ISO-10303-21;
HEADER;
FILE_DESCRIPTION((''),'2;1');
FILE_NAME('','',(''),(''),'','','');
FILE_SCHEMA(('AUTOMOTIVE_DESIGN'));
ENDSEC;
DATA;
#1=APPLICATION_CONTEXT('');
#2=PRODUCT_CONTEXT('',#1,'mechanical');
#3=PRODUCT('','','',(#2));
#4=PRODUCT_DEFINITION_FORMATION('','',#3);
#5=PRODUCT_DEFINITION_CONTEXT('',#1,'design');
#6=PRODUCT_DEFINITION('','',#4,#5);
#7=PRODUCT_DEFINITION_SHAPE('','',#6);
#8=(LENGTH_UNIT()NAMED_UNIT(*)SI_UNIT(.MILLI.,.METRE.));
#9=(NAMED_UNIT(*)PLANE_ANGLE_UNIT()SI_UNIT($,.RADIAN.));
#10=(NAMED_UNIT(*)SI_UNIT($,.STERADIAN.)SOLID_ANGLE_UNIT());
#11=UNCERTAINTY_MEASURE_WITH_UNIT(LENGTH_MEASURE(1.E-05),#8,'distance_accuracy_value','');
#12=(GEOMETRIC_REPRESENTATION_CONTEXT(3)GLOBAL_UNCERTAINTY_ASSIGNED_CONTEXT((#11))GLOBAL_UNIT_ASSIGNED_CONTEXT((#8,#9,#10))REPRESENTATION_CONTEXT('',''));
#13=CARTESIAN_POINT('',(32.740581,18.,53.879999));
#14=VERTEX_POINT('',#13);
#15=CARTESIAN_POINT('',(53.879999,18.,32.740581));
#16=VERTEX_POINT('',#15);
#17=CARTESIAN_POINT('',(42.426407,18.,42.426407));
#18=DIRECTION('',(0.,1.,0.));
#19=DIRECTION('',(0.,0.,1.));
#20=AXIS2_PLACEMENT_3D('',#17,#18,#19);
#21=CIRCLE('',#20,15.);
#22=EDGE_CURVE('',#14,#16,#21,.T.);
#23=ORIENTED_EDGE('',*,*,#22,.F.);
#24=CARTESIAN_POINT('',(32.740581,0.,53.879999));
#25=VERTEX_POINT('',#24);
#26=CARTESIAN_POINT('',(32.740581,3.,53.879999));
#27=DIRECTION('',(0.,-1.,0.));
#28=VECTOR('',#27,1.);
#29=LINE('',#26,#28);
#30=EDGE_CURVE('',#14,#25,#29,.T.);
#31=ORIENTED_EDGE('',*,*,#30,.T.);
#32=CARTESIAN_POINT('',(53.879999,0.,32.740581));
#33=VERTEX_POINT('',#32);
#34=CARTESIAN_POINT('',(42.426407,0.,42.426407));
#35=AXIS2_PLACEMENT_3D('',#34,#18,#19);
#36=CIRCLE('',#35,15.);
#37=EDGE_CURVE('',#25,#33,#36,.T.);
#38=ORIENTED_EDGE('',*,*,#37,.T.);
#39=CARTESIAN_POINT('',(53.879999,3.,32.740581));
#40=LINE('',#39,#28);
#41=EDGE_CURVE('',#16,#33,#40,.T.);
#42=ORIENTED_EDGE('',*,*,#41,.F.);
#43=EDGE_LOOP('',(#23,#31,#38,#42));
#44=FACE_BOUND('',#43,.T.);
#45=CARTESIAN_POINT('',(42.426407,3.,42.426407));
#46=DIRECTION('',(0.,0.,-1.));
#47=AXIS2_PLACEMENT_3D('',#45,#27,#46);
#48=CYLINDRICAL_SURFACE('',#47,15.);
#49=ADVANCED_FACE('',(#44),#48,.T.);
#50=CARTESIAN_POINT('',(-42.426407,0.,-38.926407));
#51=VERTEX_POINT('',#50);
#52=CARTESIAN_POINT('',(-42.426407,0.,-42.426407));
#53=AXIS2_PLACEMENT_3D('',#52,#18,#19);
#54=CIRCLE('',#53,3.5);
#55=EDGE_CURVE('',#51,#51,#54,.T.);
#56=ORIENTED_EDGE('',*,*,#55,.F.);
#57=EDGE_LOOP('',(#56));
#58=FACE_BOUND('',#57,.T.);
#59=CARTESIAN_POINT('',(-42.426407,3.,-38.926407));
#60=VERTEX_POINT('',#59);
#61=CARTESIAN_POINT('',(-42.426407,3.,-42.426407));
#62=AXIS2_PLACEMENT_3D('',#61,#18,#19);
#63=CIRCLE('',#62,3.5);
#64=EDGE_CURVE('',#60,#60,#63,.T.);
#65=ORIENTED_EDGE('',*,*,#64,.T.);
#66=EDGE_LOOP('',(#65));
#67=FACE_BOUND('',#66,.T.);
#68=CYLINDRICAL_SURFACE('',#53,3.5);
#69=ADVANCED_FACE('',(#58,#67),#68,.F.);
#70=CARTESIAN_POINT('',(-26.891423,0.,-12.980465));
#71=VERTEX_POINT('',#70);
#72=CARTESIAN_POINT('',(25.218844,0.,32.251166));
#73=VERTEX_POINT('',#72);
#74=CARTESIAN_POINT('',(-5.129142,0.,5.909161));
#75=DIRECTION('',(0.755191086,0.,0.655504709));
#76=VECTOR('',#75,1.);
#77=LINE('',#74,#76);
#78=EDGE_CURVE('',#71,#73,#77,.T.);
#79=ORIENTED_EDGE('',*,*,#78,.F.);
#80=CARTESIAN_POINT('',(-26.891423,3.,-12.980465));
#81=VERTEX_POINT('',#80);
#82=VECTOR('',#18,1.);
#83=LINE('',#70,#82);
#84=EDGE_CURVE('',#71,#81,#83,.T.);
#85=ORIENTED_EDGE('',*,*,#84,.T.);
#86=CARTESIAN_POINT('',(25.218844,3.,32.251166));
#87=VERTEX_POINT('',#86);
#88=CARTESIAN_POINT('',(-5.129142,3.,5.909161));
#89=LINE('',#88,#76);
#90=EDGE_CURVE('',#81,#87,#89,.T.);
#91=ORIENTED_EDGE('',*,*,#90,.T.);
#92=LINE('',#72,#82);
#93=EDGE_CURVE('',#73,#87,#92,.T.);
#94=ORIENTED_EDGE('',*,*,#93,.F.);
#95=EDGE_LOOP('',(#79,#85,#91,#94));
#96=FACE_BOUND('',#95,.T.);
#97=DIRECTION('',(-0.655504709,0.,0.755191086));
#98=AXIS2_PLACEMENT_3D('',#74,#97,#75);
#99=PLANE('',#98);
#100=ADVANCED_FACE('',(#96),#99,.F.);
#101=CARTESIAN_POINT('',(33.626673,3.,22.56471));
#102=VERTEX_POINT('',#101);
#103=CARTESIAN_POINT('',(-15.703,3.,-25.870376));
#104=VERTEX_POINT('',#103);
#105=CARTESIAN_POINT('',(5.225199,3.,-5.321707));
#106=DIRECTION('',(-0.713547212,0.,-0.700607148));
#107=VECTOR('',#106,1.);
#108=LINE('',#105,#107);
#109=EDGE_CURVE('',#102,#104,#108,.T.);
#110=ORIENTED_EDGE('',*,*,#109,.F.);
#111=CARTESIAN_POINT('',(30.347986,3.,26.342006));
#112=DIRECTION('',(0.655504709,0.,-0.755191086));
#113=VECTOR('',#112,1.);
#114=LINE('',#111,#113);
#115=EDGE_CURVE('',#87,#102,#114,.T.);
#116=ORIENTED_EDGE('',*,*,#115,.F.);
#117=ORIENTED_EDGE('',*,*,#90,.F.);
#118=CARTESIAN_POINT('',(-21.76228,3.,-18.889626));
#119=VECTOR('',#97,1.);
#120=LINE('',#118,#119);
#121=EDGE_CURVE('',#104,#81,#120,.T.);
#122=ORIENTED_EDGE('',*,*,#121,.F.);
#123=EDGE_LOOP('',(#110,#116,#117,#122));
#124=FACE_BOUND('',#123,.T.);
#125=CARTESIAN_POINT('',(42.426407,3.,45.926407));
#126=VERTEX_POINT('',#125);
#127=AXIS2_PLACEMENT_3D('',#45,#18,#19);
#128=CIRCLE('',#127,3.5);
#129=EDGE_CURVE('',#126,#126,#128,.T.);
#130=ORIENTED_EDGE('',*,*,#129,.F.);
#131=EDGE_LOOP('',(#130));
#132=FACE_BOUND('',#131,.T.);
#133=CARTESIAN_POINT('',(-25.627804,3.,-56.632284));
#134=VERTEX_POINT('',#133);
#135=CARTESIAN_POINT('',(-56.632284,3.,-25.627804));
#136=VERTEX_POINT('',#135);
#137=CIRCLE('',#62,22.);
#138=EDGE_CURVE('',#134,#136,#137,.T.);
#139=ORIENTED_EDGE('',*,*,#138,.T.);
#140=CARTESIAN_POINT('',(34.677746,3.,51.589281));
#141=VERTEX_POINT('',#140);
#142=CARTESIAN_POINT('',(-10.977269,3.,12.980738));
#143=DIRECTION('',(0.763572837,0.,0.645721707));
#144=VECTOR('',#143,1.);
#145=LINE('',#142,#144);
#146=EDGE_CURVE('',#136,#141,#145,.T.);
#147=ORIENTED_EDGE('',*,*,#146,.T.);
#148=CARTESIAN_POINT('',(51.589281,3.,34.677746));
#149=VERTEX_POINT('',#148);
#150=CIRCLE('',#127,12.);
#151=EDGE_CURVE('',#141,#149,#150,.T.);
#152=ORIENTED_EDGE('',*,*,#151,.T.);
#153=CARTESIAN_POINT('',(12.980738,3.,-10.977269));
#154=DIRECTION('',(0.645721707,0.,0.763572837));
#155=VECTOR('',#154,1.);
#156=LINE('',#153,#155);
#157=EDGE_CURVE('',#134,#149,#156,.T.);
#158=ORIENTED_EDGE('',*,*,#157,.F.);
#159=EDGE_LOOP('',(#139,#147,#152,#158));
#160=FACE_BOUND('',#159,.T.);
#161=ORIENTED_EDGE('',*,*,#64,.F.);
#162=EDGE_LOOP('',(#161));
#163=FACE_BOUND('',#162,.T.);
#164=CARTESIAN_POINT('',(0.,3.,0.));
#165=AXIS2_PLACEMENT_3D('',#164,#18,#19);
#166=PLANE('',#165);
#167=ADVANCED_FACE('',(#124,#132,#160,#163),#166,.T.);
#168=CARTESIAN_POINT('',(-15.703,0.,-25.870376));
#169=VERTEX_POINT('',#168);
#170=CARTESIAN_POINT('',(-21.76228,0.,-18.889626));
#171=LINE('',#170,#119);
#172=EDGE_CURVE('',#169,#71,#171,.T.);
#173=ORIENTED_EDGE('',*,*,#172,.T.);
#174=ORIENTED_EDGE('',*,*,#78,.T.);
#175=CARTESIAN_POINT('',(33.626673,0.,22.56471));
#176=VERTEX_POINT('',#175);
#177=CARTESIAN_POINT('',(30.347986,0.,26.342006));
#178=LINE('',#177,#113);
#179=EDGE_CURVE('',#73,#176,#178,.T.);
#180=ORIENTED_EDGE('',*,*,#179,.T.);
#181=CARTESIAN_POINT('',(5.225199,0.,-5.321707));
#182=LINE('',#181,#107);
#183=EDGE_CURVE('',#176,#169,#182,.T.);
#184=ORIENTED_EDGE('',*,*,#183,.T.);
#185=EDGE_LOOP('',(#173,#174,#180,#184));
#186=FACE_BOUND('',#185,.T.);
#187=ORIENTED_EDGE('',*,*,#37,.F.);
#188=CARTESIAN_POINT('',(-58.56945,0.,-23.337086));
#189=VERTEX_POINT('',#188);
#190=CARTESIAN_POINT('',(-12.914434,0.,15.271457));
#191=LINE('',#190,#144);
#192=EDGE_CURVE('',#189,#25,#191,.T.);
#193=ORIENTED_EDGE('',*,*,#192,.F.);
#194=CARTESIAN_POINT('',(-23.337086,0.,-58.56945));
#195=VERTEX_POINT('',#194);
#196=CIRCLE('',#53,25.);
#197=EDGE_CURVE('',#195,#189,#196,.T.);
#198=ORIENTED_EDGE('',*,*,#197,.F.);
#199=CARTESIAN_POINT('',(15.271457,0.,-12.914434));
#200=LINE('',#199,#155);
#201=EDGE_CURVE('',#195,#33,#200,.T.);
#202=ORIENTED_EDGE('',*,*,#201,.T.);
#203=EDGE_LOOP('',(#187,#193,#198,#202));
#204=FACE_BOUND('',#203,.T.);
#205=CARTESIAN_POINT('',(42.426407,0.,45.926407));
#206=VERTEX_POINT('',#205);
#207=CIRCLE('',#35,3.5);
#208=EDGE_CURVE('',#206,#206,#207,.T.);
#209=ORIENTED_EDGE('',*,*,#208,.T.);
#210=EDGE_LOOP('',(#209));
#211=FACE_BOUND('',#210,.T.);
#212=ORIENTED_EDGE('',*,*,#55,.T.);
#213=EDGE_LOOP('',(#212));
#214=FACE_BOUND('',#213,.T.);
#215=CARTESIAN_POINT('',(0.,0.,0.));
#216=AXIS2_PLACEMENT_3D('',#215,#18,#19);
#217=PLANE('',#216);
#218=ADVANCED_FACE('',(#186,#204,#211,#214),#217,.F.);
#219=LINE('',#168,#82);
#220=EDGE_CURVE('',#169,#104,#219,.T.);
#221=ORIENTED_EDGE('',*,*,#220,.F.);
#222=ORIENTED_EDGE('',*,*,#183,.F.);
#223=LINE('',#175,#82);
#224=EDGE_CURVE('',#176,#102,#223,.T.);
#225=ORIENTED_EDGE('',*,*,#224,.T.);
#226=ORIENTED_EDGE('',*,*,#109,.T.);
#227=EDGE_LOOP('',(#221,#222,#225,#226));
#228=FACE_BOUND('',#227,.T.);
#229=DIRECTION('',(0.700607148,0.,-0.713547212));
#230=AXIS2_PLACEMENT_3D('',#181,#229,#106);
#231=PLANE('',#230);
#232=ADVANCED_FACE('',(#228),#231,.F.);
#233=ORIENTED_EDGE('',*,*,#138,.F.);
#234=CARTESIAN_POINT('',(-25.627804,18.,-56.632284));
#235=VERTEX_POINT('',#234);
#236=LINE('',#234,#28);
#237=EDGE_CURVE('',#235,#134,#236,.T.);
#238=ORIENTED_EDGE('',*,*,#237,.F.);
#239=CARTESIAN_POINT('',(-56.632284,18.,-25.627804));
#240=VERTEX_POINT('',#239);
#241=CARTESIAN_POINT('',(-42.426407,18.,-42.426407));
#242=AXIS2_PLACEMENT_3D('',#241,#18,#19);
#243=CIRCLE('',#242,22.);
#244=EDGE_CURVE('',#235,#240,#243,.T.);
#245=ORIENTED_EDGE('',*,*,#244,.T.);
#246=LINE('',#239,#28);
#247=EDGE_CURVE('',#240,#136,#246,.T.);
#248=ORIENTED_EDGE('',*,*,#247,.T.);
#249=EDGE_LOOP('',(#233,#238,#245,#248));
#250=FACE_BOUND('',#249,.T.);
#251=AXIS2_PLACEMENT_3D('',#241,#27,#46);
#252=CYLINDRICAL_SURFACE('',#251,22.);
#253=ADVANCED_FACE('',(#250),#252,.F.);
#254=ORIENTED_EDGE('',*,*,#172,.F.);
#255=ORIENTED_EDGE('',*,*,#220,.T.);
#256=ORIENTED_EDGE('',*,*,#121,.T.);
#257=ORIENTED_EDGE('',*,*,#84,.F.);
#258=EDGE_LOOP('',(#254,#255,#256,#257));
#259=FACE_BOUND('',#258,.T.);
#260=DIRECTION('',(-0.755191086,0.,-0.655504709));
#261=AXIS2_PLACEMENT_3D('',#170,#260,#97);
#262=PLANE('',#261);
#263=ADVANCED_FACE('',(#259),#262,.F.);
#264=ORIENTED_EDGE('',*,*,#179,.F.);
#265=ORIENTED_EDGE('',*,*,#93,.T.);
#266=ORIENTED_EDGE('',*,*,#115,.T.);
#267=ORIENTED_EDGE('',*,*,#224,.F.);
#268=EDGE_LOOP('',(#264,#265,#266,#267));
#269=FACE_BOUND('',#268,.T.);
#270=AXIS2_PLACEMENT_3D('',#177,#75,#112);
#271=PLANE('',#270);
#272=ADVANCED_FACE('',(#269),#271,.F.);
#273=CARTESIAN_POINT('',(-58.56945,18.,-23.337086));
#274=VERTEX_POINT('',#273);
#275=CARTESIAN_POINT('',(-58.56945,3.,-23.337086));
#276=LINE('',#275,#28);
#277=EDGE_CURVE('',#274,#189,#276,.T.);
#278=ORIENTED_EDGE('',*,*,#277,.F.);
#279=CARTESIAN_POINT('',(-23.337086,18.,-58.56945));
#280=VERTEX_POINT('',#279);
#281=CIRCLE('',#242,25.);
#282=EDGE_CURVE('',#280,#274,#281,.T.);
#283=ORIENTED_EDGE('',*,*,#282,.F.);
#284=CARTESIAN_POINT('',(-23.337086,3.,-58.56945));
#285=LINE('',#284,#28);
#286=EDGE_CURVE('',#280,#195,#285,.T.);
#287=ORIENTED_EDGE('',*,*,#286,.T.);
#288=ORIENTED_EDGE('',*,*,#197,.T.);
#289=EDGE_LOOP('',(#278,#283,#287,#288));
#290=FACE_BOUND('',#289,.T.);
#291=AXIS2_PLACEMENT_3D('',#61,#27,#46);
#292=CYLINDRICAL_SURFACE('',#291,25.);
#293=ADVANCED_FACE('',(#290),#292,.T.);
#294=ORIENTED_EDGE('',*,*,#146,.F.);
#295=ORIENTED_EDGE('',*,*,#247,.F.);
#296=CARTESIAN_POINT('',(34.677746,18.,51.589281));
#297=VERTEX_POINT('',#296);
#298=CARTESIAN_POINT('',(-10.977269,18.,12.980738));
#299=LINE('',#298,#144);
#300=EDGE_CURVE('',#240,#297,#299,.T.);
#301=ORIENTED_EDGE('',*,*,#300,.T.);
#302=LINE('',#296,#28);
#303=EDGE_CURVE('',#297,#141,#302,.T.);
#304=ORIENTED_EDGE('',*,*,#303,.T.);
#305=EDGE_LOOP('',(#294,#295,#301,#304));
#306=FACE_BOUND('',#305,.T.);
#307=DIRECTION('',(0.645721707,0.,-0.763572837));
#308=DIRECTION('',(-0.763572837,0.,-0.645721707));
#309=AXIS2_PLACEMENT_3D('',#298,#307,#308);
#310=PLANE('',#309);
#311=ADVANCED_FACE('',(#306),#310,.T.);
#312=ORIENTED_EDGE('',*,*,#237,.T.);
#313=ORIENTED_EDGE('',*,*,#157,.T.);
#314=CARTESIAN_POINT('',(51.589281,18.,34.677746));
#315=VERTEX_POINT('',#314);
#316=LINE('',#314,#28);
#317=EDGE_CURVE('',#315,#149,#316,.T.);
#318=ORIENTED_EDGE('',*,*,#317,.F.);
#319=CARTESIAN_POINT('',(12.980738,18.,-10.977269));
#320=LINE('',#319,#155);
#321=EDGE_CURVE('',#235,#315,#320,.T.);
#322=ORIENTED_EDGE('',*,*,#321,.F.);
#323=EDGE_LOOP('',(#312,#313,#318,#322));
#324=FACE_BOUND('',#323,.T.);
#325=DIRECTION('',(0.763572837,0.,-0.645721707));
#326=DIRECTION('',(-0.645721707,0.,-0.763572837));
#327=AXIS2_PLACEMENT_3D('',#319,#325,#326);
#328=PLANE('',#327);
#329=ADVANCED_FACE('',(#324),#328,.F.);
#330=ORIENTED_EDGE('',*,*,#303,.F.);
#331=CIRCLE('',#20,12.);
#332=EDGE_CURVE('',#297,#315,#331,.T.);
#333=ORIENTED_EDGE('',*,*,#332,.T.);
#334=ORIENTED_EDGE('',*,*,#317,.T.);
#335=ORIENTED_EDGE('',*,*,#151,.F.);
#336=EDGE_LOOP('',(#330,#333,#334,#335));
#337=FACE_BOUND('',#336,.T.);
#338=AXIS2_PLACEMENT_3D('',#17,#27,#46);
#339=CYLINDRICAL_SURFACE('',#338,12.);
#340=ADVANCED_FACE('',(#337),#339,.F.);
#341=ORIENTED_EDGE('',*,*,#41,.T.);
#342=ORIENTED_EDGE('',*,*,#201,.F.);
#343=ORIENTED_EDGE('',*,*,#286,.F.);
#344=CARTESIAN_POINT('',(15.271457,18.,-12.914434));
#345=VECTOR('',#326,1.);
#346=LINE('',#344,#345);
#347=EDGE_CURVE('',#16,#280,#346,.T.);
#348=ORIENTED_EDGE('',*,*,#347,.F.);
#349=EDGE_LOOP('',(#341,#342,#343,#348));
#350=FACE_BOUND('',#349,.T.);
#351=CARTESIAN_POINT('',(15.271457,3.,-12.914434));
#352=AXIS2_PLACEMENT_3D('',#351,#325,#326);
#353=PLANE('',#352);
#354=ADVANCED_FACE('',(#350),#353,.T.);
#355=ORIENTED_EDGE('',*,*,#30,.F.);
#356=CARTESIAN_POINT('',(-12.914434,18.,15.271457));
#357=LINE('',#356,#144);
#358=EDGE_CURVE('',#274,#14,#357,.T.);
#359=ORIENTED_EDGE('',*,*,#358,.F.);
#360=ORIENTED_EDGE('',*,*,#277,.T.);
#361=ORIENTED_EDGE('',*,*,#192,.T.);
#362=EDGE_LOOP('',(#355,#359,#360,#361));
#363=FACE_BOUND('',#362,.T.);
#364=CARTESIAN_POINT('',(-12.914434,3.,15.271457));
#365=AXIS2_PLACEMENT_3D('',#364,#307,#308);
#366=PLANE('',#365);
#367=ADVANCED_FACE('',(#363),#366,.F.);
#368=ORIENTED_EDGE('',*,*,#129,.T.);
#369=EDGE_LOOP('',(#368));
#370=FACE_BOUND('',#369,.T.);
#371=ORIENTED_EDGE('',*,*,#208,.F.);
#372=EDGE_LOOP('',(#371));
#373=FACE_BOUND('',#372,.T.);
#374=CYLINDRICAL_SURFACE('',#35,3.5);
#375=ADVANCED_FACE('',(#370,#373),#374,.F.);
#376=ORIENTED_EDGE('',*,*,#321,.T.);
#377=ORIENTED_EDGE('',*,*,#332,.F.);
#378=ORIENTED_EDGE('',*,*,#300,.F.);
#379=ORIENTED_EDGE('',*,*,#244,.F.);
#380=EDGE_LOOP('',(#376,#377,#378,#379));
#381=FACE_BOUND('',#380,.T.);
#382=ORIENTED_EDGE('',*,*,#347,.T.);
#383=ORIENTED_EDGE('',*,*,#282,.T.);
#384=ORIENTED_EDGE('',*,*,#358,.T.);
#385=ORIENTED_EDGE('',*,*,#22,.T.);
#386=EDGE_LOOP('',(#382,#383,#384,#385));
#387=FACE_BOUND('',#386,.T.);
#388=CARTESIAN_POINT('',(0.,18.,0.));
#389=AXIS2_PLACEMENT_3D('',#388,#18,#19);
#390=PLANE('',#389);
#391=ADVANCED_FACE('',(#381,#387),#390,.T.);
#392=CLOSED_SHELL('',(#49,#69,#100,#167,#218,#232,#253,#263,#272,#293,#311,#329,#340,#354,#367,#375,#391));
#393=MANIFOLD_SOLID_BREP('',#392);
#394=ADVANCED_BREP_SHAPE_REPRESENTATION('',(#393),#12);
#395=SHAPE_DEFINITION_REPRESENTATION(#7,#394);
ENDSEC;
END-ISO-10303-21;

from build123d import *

# Parameters (mm, degrees)
EXTRUDE_2_DEPTH     = 3
SKETCH_4_R          = 2.25
SKETCH_4_R_2        = 2.5
CUT_EXTRUDE_2_DEPTH = 96.402519291
SKETCH_6_R          = 3.5
CUT_EXTRUDE_3_DEPTH = 96.402519291
SKETCH_7_R          = 3.5
CUT_EXTRUDE_4_DEPTH = 96.402519291
CUT_EXTRUDE_5_DEPTH = 96.402519291
EXTRUDE_4_DEPTH     = 15


with BuildPart() as part:
    # 草图2 → 凸台-拉伸2 (new body)
    with BuildSketch(Plane(origin=(0, 0, 0), x_dir=(1, 0, 0), z_dir=(0, 1, 0))):
        with BuildLine():
            Line((-58.569449541, 23.337085947), (32.740581269, -53.879999426))
            ThreePointArc((32.740581269, -53.879999426), (53.033008589, -53.033008589), (53.879999426, -32.740581269))
            Line((53.879999426, -32.740581269), (-23.337085947, 58.569449541))
            ThreePointArc((-23.337085947, 58.569449541), (-60.104076401, 60.104076401), (-58.569449541, 23.337085947))
        make_face()
    extrude(amount=EXTRUDE_2_DEPTH)

    # 草图4 → 切除-拉伸2 (cut, through all)
    with BuildSketch(Plane(origin=(0, 3, 0), x_dir=(1, 0, 0), z_dir=(0, 1, 0))):
        with Locations(Location((-42.426406871, 42.426406871, 0), (0, 0, 270))):
            Circle(SKETCH_4_R)
        with Locations(Location((42.426406871, -42.426406871, 0), (0, 0, 270))):
            Circle(SKETCH_4_R_2)
    extrude(amount=-CUT_EXTRUDE_2_DEPTH, mode=Mode.SUBTRACT)

    # 草图6 → 切除-拉伸3 (cut, through all)
    with BuildSketch(Plane(origin=(0, 3, 0), x_dir=(1, 0, 0), z_dir=(0, 1, 0))):
        with Locations(Location((-42.426406871, 42.426406871, 0), (0, 0, 270))):
            Circle(SKETCH_6_R)
    extrude(amount=-CUT_EXTRUDE_3_DEPTH, mode=Mode.SUBTRACT)

    # 草图7 → 切除-拉伸4 (cut, through all)
    with BuildSketch(Plane(origin=(0, 3, 0), x_dir=(1, 0, 0), z_dir=(0, 1, 0))):
        with Locations(Location((42.426406871, -42.426406871, 0), (0, 0, 270))):
            Circle(SKETCH_7_R)
    extrude(amount=-CUT_EXTRUDE_4_DEPTH, mode=Mode.SUBTRACT)

    # 草图8 → 切除-拉伸5 (cut, through all)
    with BuildSketch(Plane(origin=(0, 3, 0), x_dir=(1, 0, 0), z_dir=(0, 1, 0))):
        Polygon((33.626672858, -22.564710472), (-15.702999665, 25.870376375), (-26.891422763, 12.98046534), (25.218843822, -32.251166492), align=None)
    extrude(amount=-CUT_EXTRUDE_5_DEPTH, mode=Mode.SUBTRACT)

    # 草图9 → 凸台-拉伸4 (add)
    with BuildSketch(Plane(origin=(0, 3, 0), x_dir=(1, 0, 0), z_dir=(0, 1, 0))):
        with BuildLine():
            ThreePointArc((-17.960284018, 47.565359346), (-19.96440182, 53.401757848), (-23.337085947, 58.569449541))
            ThreePointArc((-23.337085947, 58.569449541), (-60.104076401, 60.104076401), (-58.569449541, 23.337085947))
            ThreePointArc((-58.569449541, 23.337085947), (-53.401757848, 19.96440182), (-47.565359346, 17.960284018))
            Line((-47.565359346, 17.960284018), (-56.632284421, 25.627804458))
            ThreePointArc((-56.632284421, 25.627804458), (-57.982756057, 57.982756057), (-25.627804458, 56.632284421))
            Line((-25.627804458, 56.632284421), (-17.960284018, 47.565359346))
        make_face()
        with BuildLine():
            Line((53.879999426, -32.740581269), (-23.337085947, 58.569449541))
            ThreePointArc((-23.337085947, 58.569449541), (-19.96440182, 53.401757848), (-17.960284018, 47.565359346))
            Line((-17.960284018, 47.565359346), (45.777785554, -27.805590857))
            ThreePointArc((45.777785554, -27.805590857), (50.229311839, -29.615681908), (53.879999426, -32.740581269))
        make_face()
        with BuildLine():
            ThreePointArc((-47.565359346, 17.960284018), (-53.401757848, 19.96440182), (-58.569449541, 23.337085947))
            Line((-58.569449541, 23.337085947), (32.740581269, -53.879999426))
            ThreePointArc((32.740581269, -53.879999426), (29.615681908, -50.229311839), (27.805590857, -45.777785554))
            Line((27.805590857, -45.777785554), (-47.565359346, 17.960284018))
        make_face()
        with BuildLine():
            ThreePointArc((57.426406871, -42.426406871), (56.511929373, -37.26907657), (53.879999426, -32.740581269))
            ThreePointArc((53.879999426, -32.740581269), (50.229311839, -29.615681908), (45.777785554, -27.805590857))
            Line((45.777785554, -27.805590857), (51.589280915, -34.67774639))
            ThreePointArc((51.589280915, -34.67774639), (53.694824873, -38.30054263), (54.426406871, -42.426406871))
            ThreePointArc((54.426406871, -42.426406871), (47.47695507, -53.311808237), (34.67774639, -51.589280915))
            Line((34.67774639, -51.589280915), (27.805590857, -45.777785554))
            ThreePointArc((27.805590857, -45.777785554), (29.615681908, -50.229311839), (32.740581269, -53.879999426))
            ThreePointArc((32.740581269, -53.879999426), (48.73959212, -56.033158578), (57.426406871, -42.426406871))
        make_face()
    extrude(amount=EXTRUDE_4_DEPTH)


solid = part.part
